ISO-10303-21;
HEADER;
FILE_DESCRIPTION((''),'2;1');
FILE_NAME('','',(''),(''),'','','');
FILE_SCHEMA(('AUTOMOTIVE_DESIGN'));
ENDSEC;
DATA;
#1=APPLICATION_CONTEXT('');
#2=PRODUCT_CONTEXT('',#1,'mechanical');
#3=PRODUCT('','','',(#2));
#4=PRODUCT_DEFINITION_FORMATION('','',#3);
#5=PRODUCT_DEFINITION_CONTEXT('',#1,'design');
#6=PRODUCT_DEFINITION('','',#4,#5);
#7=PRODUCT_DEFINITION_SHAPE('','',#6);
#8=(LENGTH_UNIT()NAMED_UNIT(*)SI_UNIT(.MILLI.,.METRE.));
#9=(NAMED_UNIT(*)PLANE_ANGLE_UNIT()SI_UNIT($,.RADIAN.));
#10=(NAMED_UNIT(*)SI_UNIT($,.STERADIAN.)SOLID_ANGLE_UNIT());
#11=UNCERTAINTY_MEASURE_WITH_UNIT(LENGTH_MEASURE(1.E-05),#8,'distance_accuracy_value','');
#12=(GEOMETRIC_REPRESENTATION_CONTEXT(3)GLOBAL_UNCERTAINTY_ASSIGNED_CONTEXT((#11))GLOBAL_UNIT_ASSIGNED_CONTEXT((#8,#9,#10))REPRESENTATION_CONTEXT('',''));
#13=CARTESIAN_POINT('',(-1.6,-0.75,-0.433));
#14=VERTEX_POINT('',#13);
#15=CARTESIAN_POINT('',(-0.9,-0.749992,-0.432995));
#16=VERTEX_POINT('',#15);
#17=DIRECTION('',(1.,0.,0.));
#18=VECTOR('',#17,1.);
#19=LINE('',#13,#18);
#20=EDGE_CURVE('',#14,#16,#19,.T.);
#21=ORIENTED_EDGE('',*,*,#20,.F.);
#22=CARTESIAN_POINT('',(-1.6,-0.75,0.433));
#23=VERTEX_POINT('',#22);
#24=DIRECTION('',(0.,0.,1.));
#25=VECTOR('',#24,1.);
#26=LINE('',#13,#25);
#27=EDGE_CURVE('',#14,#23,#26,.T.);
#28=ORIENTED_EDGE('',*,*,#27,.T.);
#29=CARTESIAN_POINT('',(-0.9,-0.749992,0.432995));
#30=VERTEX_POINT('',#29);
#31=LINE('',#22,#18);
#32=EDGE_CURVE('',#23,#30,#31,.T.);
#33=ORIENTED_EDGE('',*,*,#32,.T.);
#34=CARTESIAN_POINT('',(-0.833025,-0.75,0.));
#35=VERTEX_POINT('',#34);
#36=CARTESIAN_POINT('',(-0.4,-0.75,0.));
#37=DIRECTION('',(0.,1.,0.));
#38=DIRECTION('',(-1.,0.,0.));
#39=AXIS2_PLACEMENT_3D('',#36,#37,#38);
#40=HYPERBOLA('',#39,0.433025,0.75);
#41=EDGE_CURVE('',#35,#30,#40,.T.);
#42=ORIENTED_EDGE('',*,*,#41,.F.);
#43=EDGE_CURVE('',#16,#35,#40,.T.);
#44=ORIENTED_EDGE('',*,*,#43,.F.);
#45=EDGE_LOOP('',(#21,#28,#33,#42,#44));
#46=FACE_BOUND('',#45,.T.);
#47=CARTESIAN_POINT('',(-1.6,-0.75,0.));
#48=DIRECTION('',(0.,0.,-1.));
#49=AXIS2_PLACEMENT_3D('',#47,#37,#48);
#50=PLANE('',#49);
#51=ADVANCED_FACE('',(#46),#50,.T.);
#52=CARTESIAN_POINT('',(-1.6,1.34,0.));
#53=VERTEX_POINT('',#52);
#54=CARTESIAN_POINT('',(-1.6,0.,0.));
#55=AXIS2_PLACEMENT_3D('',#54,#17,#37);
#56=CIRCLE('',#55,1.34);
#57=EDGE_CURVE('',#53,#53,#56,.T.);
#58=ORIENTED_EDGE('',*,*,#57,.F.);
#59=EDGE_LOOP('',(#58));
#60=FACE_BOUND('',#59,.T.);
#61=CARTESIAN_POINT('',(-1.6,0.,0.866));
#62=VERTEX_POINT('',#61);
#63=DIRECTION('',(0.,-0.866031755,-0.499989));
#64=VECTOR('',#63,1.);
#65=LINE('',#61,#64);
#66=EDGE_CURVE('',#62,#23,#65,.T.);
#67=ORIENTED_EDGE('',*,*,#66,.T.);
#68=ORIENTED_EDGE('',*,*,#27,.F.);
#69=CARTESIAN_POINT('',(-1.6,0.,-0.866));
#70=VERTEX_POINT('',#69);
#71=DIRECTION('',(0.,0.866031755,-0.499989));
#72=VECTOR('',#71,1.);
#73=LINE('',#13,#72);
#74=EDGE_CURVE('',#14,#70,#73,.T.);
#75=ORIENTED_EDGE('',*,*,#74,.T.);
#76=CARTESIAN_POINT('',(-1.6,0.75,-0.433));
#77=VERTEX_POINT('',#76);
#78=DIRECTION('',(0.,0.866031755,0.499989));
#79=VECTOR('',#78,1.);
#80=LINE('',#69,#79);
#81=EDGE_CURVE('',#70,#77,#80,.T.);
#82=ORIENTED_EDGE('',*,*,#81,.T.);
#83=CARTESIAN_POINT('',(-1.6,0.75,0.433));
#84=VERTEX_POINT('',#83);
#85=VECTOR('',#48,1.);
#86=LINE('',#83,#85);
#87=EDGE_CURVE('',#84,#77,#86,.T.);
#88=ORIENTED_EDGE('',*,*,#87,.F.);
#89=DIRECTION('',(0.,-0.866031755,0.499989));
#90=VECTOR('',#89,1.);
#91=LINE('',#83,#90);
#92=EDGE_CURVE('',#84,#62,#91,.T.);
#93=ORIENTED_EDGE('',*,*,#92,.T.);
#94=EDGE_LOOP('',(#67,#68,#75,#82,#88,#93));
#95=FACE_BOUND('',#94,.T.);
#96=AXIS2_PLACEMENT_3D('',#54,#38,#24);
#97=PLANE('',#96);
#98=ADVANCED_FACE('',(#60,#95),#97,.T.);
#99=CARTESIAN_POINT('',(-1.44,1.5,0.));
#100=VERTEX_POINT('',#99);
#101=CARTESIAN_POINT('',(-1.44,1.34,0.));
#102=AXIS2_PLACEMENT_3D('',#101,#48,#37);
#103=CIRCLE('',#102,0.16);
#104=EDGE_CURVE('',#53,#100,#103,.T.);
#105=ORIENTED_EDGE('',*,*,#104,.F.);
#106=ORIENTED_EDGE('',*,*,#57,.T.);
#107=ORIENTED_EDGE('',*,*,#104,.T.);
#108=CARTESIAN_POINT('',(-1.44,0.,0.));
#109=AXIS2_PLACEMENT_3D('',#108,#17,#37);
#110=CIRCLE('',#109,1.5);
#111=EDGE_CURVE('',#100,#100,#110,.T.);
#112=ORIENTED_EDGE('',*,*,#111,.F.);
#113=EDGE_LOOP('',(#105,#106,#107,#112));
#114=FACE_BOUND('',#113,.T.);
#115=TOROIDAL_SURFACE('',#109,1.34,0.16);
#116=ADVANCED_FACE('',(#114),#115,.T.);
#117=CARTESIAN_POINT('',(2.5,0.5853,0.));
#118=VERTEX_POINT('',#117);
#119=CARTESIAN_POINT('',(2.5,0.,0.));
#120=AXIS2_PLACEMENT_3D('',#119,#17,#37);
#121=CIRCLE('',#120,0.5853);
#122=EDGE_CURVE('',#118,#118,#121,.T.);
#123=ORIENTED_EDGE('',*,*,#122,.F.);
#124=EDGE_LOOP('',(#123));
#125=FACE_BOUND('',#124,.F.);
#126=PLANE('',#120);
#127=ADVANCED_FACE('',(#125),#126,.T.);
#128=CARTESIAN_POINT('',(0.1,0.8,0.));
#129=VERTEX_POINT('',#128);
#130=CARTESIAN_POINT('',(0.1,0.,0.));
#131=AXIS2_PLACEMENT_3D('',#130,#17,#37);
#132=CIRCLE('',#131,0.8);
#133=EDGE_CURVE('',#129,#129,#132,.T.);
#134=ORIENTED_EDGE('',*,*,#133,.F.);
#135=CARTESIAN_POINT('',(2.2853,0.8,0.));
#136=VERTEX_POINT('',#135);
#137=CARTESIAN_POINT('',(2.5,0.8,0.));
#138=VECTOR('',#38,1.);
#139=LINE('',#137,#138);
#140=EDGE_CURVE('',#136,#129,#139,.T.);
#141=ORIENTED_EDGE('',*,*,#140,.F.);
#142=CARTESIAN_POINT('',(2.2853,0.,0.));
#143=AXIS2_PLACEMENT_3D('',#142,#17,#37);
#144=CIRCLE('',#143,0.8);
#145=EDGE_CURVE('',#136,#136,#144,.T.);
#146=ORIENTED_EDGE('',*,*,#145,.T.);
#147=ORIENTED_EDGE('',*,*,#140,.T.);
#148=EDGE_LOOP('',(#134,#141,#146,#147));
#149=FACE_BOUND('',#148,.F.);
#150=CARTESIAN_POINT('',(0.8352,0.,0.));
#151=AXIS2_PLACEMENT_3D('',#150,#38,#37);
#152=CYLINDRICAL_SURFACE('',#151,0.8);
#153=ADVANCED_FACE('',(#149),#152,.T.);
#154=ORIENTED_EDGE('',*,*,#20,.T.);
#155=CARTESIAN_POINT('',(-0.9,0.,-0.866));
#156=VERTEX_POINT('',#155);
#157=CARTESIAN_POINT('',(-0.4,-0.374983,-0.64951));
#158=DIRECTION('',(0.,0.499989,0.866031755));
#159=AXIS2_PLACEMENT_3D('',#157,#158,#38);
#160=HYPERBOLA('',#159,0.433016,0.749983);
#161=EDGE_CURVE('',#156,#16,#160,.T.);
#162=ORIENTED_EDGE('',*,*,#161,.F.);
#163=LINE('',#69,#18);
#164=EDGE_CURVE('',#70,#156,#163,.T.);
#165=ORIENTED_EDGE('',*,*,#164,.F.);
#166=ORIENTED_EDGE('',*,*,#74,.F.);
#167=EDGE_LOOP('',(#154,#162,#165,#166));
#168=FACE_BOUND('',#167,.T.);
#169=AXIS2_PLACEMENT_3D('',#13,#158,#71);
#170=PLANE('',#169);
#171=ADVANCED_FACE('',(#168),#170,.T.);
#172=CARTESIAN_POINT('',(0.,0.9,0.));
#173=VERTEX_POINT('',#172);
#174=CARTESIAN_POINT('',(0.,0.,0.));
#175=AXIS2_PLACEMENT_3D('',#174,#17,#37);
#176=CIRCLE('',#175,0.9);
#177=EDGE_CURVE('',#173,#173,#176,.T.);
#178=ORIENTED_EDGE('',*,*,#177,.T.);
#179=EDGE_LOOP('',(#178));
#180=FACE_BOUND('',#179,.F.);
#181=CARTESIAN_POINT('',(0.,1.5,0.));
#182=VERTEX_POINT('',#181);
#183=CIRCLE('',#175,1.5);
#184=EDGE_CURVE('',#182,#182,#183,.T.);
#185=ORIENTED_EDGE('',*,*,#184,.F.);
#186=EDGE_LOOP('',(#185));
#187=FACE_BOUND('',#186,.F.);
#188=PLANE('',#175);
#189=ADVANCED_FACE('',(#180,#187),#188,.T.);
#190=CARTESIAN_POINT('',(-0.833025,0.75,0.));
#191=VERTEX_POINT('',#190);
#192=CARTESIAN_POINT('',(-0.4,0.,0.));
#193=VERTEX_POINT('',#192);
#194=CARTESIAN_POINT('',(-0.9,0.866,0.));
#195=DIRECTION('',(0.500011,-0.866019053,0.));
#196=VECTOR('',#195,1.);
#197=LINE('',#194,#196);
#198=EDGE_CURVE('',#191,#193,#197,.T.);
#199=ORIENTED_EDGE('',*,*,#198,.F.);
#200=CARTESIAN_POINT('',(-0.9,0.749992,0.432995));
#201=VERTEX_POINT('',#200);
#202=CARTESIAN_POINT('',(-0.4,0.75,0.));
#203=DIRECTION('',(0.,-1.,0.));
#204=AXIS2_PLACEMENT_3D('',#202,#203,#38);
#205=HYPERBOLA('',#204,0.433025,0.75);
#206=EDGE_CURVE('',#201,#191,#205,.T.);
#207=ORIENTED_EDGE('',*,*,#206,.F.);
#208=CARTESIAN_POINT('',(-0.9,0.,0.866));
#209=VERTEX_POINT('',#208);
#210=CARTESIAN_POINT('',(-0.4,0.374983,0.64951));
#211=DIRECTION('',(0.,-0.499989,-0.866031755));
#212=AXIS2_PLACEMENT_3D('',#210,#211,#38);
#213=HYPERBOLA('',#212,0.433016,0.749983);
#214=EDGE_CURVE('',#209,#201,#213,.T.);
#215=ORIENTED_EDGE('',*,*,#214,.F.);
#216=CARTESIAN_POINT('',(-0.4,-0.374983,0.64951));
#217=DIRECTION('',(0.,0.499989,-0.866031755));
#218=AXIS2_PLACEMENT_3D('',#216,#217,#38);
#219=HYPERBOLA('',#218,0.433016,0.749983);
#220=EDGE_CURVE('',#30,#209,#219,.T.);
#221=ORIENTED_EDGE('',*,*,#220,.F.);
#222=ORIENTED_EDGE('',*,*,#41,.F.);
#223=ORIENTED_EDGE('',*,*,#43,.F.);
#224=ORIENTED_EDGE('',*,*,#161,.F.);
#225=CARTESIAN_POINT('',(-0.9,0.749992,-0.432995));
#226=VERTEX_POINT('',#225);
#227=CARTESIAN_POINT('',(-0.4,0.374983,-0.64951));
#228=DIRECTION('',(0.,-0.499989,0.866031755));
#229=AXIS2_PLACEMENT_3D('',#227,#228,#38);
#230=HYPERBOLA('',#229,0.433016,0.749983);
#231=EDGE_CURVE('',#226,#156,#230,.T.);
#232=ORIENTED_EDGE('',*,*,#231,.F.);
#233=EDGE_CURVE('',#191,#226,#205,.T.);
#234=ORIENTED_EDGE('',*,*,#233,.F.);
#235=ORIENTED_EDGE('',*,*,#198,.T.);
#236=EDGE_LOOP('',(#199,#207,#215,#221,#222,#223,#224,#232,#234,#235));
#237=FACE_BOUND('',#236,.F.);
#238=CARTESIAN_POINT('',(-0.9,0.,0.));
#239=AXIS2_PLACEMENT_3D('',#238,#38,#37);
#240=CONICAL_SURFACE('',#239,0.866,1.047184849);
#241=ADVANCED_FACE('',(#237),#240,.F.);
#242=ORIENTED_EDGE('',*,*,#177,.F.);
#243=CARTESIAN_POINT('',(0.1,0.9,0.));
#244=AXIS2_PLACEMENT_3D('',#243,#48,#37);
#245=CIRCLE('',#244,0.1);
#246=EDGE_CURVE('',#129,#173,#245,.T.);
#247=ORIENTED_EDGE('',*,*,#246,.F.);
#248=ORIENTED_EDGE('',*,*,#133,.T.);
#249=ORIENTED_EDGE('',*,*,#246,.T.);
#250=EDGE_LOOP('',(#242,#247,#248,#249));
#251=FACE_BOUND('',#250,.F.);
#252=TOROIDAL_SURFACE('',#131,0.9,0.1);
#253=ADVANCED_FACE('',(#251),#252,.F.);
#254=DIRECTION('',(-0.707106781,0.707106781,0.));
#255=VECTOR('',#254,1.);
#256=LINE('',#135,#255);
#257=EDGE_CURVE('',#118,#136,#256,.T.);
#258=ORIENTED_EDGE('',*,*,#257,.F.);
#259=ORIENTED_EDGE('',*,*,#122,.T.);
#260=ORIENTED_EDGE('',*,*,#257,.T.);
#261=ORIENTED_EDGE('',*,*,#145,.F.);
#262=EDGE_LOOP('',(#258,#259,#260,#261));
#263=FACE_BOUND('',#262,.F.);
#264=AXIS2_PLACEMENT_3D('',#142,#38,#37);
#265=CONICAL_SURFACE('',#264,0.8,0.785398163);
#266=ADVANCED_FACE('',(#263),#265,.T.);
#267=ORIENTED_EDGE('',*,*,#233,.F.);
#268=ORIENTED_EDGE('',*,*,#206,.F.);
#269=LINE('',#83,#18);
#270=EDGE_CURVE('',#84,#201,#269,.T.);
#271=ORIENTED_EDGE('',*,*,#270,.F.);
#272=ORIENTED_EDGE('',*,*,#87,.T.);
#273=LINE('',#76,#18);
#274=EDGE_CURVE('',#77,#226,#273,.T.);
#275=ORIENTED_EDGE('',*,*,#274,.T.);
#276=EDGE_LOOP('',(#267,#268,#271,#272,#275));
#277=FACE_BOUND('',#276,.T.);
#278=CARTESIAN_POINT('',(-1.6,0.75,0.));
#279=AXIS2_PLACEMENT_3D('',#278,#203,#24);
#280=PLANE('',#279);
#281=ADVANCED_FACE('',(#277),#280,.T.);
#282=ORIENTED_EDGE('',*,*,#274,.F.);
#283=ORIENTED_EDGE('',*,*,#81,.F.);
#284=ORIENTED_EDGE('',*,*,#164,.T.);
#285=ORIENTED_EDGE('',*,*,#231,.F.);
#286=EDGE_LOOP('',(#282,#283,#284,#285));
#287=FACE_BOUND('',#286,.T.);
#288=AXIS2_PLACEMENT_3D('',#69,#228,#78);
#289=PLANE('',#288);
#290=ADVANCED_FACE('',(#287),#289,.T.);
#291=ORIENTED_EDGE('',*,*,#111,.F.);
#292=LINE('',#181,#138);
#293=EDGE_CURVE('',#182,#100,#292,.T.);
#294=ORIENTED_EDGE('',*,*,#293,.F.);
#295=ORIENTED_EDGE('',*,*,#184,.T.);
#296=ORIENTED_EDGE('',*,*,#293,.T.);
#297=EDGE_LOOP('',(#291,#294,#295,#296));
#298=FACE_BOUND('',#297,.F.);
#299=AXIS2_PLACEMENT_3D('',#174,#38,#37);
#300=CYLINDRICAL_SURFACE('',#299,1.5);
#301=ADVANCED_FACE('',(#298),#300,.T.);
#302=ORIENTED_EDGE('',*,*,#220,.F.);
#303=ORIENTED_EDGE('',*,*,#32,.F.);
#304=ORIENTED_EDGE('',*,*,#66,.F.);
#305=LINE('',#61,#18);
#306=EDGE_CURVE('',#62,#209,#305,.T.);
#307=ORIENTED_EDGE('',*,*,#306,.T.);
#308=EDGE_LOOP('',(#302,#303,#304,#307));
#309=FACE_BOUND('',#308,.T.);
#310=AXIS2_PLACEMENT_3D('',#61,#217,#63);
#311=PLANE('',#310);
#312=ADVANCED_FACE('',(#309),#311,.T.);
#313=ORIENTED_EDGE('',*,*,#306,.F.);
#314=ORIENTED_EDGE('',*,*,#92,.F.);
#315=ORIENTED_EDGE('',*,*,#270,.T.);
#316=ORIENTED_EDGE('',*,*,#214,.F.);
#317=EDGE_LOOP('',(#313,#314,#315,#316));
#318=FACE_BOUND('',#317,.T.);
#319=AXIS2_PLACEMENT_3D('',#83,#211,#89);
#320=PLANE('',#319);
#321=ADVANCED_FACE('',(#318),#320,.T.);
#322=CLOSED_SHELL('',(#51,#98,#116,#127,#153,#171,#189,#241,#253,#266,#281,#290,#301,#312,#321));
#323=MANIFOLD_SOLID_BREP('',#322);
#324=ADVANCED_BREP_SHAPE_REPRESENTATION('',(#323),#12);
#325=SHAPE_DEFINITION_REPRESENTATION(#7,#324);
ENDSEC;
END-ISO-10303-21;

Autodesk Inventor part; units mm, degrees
ref_plane "YZ Plane" through (0, 0, 0) normal (1, 0, 0) x (0, 1, 0)
ref_plane "XZ Plane" through (0, 0, 0) normal (0, 1, 0) x (-1, 0, 0)
sketch "Sketch1" plane through (0, 0, 0) normal (0, 0, 1) x (1, 0, 0)
  line L0 (-0.4, 0) -> (2.5, 0)
  line L1 (2.5, 0) -> (2.5, 0.8)
  line L2 (2.5, 0.8) -> (1.05, 0.8)
  line L3 (1.05, 0.8) -> (0.8352, 0.8)
  line L4 (0.8352, 0.8) -> (0, 0.8)
  line L5 (0, 0.8) -> (0, 1.5)
  line L6 (0, 1.5) -> (-1.6, 1.5)
  line L7 (-1.6, 1.5) -> (-1.6, 0.866)
  line L8 (-1.6, 0.866) -> (-0.9, 0.866)
  line L9 (-0.9, 0.866) -> (-0.4, 0)
  line L10 (-2.42, 0) -> (3.32, 0) projected
  line L11 (0, -0.3) -> (0, 1.8) projected
  line L12 (1.05, 0.8) -> (0, 0.8) construction
  dimension "d1" = 1.45
  dimension "d2" = 0.2148
  dimension "d3" = 1.6
  dimension "d4" = 0.7
  dimension "d5" = 60
  dimension "d6" = 1.6
  dimension "d7" = 1.6
  dimension "d8" = 1.7321
  dimension "d9" = 3
  dimension "d26" = 2.5
revolve "Body" add sketch "Sketch1" angle 360 about axis through (-0.4, 0, 0) along (1, 0, 0)
sketch "Sketch2" plane through (-1.6, 0, 0) normal (-1, 0, 0) x (0, 0, 1)
  circle A0 centre (0, 0) radius 0.866 projected
  line L0 (0, -2.1) -> (0, 2.1) projected
  line L1 (-2.1, 0) -> (2.1, 0) projected
  line L2 (0.866, 0) -> (0.433, -0.75)
  line L3 (0.433, -0.75) -> (-0.433, -0.75)
  line L4 (-0.433, -0.75) -> (-0.866, 0)
  line L5 (-0.866, 0) -> (-0.433, 0.75)
  line L6 (-0.433, 0.75) -> (0.433, 0.75)
  line L7 (0.433, 0.75) -> (0.866, 0)
extrude "Slot" add sketch "Sketch2" against normal up to next contours L7 A0 | A0 L2 | L6 L0 A0 | A0 L0 L3 | L0 L6 A0 | A0 L3 L0 | L4 A0 | A0 L5
fillet "Fillet1" radius 0.16 1 edges at (-1.6, -1.5, 0)
thread "Thread" size "M1.6x0.35" class "6g" standard "ISO Metric profile" length 1.45
chamfer "Chamfer1" distance 0.2147 distance2 0.2147 1 edges at (2.5, -0.8, 0) measured on face at (2.5, -0.0946, 0.2493)
ref_plane "Work Plane1" through (29, 0, 0) normal (0, -1, 0) x (1, 0, 0)
fillet "Fillet2" radius 0.1 1 edges at (0, -0.8, 0)
equation "\"d1\" = GEL"
equation "\"d3\" = KOH"
equation "\"d4\" = INTI"
equation "\"d6\" = GD"
equation "\"d7\" = BDM"
equation "\"d8\" = 1.1547 * SW"
equation "\"d9\" = KOD"
equation "\"d26\" = NLG"
equation "\"d30\" = R"
equation "\"d17\" = RR"
equation "\"d13\" = GEL"
equation "\"d15\" = -0.5 * SPD + 0.5 * GD"
equation "\"d16\" = GUL"
equation "\"GD\" = 1.6"
equation "\"NLG\" = 2.5"
equation "\"GEL\" = 1.45"
equation "\"KOD\" = 3"
equation "\"KOH\" = 1.6"
equation "\"INTI\" = 0.7"
equation "\"GAL\" = 0.61345 * PTC"
equation "\"GUL\" = 0.61345 * PTC"
equation "\"BDM\" = NND"
equation "\"SW\" = 1.5"
equation "\"RR\" = 0.16"
equation "\"SPD\" = NND - 1.2269 * PTC"
equation "\"R\" = 0.1"
equation "\"TOA\" = 30deg"
equation "\"GD1\" = THREADDIA - 1.2269 * PTC"
equation "\"THREADDIA\" = 1.6"
equation "\"FAWI\" = 45deg"
equation "\"PTC\" = 0.35"
equation "\"NND\" = 1.6"
equation "\"E0\" = 1.155 * SW"
properties part number "ISO 4762  - M1.6 x 2.5" material "Stainless Steel, 440C"
